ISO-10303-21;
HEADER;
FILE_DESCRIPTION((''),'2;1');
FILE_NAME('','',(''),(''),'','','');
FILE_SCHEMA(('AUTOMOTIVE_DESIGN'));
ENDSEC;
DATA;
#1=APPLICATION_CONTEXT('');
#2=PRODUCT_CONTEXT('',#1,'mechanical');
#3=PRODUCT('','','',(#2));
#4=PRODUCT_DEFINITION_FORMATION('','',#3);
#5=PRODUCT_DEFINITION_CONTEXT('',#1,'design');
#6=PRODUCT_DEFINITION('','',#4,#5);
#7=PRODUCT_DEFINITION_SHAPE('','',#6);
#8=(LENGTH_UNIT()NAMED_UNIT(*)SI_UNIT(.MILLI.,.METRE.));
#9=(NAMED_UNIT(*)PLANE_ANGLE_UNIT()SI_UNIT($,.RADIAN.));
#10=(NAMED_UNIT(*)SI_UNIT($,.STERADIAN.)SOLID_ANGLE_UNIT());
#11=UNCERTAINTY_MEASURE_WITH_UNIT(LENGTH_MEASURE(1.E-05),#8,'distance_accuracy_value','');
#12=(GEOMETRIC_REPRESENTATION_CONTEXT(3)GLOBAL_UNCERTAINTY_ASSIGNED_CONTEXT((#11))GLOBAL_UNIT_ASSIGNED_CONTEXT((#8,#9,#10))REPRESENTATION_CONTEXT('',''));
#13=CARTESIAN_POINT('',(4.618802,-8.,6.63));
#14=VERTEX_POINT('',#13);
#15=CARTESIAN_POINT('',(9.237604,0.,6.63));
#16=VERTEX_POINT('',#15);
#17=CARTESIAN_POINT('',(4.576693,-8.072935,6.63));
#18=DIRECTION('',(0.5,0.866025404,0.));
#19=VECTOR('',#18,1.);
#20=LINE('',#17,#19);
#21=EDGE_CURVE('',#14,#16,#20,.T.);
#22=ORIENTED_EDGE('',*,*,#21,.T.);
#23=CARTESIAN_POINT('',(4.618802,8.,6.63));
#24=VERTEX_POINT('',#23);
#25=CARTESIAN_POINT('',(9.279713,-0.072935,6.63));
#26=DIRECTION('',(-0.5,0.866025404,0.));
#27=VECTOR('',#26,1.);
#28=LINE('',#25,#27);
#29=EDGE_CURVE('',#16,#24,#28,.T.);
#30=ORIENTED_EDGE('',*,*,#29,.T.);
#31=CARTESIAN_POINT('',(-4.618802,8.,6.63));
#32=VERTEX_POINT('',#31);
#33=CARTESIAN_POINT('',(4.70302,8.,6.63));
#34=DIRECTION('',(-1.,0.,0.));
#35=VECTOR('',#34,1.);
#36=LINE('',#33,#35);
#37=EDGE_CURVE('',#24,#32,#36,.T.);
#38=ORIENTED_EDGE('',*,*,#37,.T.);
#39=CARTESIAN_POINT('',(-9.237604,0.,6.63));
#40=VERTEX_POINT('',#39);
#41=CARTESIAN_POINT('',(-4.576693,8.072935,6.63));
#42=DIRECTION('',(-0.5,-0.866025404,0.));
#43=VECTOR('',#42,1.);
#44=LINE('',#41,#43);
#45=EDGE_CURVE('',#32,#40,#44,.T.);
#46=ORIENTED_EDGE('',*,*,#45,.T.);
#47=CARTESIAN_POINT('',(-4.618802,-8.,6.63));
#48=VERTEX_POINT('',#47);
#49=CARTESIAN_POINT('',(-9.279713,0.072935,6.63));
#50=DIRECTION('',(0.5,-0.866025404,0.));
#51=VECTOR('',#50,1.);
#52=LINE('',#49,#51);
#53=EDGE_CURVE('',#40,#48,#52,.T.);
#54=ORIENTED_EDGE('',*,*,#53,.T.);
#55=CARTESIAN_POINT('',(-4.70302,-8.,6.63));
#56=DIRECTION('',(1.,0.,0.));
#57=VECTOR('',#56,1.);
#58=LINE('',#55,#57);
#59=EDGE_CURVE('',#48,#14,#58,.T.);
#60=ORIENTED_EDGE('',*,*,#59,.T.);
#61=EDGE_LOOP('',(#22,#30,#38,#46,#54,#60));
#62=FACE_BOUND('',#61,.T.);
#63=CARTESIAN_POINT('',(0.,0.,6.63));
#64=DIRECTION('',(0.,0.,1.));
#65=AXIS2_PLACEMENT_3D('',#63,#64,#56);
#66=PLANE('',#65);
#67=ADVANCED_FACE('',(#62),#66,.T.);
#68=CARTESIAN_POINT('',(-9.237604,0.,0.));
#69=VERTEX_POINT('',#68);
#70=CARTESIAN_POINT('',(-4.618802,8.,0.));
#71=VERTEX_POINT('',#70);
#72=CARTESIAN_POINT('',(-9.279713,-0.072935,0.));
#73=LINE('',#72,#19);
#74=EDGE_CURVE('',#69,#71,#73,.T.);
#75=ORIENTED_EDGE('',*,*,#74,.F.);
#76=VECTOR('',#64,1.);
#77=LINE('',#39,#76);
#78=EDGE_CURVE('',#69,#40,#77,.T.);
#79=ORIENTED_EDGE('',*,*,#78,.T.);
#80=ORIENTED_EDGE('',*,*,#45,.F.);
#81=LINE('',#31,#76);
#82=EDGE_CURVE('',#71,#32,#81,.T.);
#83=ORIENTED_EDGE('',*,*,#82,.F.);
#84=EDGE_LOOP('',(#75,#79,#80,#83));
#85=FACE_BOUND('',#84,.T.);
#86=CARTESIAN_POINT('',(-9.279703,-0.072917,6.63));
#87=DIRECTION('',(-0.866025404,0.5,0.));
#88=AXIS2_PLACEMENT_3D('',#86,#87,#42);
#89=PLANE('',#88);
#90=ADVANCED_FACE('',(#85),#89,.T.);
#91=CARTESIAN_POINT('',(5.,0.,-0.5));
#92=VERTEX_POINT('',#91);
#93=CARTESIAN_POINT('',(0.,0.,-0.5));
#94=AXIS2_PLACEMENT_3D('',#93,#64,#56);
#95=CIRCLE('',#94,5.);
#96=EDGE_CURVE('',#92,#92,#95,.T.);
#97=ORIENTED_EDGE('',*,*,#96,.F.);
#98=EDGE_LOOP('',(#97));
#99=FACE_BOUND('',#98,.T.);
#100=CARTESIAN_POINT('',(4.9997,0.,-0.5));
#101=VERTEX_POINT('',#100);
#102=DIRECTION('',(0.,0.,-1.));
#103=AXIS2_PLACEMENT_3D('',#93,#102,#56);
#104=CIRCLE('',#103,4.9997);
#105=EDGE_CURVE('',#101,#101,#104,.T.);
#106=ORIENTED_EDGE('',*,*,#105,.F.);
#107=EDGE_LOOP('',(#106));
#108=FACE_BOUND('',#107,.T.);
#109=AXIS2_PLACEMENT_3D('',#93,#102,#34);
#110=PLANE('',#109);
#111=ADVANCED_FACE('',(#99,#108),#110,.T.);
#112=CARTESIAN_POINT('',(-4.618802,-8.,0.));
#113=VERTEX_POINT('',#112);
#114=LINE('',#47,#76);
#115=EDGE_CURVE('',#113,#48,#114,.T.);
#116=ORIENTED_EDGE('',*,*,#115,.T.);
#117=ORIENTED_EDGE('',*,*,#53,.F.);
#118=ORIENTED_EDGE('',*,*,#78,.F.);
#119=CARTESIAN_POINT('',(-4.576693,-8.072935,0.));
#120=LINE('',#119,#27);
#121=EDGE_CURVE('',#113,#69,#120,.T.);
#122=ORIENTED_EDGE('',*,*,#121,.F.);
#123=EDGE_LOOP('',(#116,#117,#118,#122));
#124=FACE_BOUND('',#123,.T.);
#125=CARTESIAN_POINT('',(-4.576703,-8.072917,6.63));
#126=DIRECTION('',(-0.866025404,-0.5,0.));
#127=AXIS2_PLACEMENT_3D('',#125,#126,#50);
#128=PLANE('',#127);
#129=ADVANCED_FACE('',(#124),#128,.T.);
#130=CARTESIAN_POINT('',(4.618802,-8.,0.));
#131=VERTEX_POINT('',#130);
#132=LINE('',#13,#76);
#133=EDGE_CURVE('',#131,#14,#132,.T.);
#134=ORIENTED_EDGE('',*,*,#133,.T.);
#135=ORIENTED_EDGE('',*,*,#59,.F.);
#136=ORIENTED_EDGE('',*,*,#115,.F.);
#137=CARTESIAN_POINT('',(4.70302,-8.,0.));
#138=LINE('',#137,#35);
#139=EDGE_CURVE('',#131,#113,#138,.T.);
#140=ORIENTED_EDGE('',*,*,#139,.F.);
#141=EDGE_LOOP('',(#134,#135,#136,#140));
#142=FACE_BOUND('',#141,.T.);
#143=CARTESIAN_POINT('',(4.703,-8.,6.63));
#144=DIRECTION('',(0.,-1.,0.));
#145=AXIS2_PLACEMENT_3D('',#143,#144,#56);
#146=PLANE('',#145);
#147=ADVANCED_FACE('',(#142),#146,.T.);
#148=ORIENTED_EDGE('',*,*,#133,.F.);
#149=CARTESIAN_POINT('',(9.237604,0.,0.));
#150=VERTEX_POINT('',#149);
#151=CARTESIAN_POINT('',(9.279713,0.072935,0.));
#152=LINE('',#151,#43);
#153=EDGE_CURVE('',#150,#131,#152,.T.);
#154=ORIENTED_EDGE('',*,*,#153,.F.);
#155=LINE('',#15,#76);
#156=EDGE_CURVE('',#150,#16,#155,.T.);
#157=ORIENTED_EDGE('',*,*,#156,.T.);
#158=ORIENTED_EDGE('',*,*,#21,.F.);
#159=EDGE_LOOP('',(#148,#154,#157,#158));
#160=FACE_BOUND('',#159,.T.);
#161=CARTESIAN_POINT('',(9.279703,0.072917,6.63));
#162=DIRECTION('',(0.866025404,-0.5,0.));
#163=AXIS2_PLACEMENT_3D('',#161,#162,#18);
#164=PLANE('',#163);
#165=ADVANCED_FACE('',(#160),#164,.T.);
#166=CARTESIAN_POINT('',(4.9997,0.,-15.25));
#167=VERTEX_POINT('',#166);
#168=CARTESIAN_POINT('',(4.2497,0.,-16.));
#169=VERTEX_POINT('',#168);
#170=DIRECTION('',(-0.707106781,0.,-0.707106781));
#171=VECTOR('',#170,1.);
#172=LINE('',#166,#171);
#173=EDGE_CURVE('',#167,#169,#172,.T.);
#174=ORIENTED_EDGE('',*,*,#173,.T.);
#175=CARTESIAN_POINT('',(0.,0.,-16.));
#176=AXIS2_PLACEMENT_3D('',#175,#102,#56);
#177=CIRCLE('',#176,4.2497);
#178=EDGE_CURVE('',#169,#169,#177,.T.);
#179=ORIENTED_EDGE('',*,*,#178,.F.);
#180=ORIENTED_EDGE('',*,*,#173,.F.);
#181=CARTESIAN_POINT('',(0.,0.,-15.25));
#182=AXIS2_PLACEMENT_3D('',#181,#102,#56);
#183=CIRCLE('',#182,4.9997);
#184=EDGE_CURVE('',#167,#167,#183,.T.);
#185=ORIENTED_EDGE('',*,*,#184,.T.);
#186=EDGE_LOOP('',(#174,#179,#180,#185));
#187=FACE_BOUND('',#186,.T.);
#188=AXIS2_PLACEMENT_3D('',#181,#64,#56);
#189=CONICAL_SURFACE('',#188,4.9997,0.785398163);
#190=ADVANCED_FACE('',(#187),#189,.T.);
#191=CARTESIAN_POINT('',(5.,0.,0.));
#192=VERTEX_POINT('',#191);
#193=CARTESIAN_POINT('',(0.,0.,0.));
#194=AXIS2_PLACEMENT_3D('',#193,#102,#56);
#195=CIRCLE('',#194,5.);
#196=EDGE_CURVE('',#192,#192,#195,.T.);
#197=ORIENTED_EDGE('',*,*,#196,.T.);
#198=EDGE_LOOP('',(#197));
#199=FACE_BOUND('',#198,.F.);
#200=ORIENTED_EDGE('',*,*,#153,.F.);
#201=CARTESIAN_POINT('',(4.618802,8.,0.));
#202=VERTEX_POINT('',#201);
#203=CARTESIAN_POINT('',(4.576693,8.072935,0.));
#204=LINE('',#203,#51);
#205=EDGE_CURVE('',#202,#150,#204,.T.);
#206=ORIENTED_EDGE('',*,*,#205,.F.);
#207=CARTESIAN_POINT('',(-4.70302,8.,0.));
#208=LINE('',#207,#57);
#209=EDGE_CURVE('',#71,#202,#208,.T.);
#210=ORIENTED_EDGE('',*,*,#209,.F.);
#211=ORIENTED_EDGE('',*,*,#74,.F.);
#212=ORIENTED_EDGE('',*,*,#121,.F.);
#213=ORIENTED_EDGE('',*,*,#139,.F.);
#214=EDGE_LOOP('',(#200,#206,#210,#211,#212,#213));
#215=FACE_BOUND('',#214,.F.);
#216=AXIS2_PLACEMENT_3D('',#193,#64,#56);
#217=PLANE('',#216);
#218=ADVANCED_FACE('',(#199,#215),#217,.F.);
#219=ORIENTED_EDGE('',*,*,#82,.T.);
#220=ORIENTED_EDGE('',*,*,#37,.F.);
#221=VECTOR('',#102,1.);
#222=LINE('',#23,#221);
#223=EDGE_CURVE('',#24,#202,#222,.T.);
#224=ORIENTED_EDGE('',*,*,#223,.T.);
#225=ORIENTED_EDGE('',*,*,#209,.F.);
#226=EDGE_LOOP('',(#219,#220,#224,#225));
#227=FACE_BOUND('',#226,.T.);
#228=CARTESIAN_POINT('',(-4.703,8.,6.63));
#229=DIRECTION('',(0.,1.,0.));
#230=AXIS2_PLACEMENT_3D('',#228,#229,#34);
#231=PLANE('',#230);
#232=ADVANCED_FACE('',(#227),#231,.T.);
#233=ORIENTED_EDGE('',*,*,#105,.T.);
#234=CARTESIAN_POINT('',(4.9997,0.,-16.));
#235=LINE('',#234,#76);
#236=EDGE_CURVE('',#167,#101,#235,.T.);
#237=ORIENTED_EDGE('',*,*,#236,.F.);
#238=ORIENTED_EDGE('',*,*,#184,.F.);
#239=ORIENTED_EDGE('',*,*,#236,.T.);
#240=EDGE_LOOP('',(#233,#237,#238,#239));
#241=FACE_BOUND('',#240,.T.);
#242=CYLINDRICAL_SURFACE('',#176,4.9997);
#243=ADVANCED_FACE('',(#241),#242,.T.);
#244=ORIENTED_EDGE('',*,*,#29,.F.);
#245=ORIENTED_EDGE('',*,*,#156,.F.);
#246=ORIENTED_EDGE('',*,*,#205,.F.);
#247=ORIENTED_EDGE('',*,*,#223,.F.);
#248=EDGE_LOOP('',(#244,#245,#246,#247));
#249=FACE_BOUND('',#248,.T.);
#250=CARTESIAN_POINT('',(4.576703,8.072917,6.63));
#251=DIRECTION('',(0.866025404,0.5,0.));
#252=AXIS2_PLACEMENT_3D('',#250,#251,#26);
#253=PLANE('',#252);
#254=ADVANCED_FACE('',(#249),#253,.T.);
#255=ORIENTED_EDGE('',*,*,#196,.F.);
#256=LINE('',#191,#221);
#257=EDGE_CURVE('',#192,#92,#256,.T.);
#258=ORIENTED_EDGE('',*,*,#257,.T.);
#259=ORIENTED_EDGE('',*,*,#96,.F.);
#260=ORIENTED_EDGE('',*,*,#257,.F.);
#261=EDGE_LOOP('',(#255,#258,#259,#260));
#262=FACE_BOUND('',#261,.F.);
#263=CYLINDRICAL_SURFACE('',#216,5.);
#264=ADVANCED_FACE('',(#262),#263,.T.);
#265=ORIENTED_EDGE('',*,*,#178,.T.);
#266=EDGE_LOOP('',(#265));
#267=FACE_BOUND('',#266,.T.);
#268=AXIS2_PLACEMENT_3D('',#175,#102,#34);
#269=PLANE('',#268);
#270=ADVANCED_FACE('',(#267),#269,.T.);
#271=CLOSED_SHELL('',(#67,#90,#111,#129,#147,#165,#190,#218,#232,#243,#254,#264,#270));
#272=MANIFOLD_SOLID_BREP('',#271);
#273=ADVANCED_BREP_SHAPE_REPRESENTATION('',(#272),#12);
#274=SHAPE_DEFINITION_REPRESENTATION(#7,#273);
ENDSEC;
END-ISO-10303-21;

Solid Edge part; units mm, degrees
sketch "Sketch1" plane through (0, 0, 0) normal (0, 0, 1) x (1, 0, 0)
  circle A0 centre (0, 0) radius 9.28
  dimension "D1" = 18.56
extrude "Protrusion1" add sketch "Sketch1" along normal blind 6.63
sketch "Sketch2" plane through (0, 0, 0) normal (0, 0, -1) x (1, 0, 0)
  circle A0 centre (0, 0) radius 5
extrude "Protrusion2" add sketch "Sketch2" along normal blind 16
sketch "Sketch3" plane through (0, 0, -16) normal (0, 0, -1) x (1, 0, 0)
  circle A0 centre (0, 0) radius 4.9997
extrude "Cutout1" cut sketch "Sketch3" against normal blind 15.5 flip side to cut
chamfer "Chamfer_1" distance 0.75 angle 45 1 edges at (-4.9997, 0, -16)
sketch "Sketch4" plane through (0, 0, 6.63) normal (0, 0, 1) x (1, 0, 0)
  line L0 (-4.703, 8) -> (4.703, 8)
  dimension "D1" = 16
extrude "Cutout2" cut sketch "Sketch4" against normal up to next material side at (0, 8.05, 6.63)
pattern_circular "Pattern1" count 6 over 360 about axis through (0, 0, 6.63) along (0, 0, 1) of "Cutout2"
properties part number "107730"
